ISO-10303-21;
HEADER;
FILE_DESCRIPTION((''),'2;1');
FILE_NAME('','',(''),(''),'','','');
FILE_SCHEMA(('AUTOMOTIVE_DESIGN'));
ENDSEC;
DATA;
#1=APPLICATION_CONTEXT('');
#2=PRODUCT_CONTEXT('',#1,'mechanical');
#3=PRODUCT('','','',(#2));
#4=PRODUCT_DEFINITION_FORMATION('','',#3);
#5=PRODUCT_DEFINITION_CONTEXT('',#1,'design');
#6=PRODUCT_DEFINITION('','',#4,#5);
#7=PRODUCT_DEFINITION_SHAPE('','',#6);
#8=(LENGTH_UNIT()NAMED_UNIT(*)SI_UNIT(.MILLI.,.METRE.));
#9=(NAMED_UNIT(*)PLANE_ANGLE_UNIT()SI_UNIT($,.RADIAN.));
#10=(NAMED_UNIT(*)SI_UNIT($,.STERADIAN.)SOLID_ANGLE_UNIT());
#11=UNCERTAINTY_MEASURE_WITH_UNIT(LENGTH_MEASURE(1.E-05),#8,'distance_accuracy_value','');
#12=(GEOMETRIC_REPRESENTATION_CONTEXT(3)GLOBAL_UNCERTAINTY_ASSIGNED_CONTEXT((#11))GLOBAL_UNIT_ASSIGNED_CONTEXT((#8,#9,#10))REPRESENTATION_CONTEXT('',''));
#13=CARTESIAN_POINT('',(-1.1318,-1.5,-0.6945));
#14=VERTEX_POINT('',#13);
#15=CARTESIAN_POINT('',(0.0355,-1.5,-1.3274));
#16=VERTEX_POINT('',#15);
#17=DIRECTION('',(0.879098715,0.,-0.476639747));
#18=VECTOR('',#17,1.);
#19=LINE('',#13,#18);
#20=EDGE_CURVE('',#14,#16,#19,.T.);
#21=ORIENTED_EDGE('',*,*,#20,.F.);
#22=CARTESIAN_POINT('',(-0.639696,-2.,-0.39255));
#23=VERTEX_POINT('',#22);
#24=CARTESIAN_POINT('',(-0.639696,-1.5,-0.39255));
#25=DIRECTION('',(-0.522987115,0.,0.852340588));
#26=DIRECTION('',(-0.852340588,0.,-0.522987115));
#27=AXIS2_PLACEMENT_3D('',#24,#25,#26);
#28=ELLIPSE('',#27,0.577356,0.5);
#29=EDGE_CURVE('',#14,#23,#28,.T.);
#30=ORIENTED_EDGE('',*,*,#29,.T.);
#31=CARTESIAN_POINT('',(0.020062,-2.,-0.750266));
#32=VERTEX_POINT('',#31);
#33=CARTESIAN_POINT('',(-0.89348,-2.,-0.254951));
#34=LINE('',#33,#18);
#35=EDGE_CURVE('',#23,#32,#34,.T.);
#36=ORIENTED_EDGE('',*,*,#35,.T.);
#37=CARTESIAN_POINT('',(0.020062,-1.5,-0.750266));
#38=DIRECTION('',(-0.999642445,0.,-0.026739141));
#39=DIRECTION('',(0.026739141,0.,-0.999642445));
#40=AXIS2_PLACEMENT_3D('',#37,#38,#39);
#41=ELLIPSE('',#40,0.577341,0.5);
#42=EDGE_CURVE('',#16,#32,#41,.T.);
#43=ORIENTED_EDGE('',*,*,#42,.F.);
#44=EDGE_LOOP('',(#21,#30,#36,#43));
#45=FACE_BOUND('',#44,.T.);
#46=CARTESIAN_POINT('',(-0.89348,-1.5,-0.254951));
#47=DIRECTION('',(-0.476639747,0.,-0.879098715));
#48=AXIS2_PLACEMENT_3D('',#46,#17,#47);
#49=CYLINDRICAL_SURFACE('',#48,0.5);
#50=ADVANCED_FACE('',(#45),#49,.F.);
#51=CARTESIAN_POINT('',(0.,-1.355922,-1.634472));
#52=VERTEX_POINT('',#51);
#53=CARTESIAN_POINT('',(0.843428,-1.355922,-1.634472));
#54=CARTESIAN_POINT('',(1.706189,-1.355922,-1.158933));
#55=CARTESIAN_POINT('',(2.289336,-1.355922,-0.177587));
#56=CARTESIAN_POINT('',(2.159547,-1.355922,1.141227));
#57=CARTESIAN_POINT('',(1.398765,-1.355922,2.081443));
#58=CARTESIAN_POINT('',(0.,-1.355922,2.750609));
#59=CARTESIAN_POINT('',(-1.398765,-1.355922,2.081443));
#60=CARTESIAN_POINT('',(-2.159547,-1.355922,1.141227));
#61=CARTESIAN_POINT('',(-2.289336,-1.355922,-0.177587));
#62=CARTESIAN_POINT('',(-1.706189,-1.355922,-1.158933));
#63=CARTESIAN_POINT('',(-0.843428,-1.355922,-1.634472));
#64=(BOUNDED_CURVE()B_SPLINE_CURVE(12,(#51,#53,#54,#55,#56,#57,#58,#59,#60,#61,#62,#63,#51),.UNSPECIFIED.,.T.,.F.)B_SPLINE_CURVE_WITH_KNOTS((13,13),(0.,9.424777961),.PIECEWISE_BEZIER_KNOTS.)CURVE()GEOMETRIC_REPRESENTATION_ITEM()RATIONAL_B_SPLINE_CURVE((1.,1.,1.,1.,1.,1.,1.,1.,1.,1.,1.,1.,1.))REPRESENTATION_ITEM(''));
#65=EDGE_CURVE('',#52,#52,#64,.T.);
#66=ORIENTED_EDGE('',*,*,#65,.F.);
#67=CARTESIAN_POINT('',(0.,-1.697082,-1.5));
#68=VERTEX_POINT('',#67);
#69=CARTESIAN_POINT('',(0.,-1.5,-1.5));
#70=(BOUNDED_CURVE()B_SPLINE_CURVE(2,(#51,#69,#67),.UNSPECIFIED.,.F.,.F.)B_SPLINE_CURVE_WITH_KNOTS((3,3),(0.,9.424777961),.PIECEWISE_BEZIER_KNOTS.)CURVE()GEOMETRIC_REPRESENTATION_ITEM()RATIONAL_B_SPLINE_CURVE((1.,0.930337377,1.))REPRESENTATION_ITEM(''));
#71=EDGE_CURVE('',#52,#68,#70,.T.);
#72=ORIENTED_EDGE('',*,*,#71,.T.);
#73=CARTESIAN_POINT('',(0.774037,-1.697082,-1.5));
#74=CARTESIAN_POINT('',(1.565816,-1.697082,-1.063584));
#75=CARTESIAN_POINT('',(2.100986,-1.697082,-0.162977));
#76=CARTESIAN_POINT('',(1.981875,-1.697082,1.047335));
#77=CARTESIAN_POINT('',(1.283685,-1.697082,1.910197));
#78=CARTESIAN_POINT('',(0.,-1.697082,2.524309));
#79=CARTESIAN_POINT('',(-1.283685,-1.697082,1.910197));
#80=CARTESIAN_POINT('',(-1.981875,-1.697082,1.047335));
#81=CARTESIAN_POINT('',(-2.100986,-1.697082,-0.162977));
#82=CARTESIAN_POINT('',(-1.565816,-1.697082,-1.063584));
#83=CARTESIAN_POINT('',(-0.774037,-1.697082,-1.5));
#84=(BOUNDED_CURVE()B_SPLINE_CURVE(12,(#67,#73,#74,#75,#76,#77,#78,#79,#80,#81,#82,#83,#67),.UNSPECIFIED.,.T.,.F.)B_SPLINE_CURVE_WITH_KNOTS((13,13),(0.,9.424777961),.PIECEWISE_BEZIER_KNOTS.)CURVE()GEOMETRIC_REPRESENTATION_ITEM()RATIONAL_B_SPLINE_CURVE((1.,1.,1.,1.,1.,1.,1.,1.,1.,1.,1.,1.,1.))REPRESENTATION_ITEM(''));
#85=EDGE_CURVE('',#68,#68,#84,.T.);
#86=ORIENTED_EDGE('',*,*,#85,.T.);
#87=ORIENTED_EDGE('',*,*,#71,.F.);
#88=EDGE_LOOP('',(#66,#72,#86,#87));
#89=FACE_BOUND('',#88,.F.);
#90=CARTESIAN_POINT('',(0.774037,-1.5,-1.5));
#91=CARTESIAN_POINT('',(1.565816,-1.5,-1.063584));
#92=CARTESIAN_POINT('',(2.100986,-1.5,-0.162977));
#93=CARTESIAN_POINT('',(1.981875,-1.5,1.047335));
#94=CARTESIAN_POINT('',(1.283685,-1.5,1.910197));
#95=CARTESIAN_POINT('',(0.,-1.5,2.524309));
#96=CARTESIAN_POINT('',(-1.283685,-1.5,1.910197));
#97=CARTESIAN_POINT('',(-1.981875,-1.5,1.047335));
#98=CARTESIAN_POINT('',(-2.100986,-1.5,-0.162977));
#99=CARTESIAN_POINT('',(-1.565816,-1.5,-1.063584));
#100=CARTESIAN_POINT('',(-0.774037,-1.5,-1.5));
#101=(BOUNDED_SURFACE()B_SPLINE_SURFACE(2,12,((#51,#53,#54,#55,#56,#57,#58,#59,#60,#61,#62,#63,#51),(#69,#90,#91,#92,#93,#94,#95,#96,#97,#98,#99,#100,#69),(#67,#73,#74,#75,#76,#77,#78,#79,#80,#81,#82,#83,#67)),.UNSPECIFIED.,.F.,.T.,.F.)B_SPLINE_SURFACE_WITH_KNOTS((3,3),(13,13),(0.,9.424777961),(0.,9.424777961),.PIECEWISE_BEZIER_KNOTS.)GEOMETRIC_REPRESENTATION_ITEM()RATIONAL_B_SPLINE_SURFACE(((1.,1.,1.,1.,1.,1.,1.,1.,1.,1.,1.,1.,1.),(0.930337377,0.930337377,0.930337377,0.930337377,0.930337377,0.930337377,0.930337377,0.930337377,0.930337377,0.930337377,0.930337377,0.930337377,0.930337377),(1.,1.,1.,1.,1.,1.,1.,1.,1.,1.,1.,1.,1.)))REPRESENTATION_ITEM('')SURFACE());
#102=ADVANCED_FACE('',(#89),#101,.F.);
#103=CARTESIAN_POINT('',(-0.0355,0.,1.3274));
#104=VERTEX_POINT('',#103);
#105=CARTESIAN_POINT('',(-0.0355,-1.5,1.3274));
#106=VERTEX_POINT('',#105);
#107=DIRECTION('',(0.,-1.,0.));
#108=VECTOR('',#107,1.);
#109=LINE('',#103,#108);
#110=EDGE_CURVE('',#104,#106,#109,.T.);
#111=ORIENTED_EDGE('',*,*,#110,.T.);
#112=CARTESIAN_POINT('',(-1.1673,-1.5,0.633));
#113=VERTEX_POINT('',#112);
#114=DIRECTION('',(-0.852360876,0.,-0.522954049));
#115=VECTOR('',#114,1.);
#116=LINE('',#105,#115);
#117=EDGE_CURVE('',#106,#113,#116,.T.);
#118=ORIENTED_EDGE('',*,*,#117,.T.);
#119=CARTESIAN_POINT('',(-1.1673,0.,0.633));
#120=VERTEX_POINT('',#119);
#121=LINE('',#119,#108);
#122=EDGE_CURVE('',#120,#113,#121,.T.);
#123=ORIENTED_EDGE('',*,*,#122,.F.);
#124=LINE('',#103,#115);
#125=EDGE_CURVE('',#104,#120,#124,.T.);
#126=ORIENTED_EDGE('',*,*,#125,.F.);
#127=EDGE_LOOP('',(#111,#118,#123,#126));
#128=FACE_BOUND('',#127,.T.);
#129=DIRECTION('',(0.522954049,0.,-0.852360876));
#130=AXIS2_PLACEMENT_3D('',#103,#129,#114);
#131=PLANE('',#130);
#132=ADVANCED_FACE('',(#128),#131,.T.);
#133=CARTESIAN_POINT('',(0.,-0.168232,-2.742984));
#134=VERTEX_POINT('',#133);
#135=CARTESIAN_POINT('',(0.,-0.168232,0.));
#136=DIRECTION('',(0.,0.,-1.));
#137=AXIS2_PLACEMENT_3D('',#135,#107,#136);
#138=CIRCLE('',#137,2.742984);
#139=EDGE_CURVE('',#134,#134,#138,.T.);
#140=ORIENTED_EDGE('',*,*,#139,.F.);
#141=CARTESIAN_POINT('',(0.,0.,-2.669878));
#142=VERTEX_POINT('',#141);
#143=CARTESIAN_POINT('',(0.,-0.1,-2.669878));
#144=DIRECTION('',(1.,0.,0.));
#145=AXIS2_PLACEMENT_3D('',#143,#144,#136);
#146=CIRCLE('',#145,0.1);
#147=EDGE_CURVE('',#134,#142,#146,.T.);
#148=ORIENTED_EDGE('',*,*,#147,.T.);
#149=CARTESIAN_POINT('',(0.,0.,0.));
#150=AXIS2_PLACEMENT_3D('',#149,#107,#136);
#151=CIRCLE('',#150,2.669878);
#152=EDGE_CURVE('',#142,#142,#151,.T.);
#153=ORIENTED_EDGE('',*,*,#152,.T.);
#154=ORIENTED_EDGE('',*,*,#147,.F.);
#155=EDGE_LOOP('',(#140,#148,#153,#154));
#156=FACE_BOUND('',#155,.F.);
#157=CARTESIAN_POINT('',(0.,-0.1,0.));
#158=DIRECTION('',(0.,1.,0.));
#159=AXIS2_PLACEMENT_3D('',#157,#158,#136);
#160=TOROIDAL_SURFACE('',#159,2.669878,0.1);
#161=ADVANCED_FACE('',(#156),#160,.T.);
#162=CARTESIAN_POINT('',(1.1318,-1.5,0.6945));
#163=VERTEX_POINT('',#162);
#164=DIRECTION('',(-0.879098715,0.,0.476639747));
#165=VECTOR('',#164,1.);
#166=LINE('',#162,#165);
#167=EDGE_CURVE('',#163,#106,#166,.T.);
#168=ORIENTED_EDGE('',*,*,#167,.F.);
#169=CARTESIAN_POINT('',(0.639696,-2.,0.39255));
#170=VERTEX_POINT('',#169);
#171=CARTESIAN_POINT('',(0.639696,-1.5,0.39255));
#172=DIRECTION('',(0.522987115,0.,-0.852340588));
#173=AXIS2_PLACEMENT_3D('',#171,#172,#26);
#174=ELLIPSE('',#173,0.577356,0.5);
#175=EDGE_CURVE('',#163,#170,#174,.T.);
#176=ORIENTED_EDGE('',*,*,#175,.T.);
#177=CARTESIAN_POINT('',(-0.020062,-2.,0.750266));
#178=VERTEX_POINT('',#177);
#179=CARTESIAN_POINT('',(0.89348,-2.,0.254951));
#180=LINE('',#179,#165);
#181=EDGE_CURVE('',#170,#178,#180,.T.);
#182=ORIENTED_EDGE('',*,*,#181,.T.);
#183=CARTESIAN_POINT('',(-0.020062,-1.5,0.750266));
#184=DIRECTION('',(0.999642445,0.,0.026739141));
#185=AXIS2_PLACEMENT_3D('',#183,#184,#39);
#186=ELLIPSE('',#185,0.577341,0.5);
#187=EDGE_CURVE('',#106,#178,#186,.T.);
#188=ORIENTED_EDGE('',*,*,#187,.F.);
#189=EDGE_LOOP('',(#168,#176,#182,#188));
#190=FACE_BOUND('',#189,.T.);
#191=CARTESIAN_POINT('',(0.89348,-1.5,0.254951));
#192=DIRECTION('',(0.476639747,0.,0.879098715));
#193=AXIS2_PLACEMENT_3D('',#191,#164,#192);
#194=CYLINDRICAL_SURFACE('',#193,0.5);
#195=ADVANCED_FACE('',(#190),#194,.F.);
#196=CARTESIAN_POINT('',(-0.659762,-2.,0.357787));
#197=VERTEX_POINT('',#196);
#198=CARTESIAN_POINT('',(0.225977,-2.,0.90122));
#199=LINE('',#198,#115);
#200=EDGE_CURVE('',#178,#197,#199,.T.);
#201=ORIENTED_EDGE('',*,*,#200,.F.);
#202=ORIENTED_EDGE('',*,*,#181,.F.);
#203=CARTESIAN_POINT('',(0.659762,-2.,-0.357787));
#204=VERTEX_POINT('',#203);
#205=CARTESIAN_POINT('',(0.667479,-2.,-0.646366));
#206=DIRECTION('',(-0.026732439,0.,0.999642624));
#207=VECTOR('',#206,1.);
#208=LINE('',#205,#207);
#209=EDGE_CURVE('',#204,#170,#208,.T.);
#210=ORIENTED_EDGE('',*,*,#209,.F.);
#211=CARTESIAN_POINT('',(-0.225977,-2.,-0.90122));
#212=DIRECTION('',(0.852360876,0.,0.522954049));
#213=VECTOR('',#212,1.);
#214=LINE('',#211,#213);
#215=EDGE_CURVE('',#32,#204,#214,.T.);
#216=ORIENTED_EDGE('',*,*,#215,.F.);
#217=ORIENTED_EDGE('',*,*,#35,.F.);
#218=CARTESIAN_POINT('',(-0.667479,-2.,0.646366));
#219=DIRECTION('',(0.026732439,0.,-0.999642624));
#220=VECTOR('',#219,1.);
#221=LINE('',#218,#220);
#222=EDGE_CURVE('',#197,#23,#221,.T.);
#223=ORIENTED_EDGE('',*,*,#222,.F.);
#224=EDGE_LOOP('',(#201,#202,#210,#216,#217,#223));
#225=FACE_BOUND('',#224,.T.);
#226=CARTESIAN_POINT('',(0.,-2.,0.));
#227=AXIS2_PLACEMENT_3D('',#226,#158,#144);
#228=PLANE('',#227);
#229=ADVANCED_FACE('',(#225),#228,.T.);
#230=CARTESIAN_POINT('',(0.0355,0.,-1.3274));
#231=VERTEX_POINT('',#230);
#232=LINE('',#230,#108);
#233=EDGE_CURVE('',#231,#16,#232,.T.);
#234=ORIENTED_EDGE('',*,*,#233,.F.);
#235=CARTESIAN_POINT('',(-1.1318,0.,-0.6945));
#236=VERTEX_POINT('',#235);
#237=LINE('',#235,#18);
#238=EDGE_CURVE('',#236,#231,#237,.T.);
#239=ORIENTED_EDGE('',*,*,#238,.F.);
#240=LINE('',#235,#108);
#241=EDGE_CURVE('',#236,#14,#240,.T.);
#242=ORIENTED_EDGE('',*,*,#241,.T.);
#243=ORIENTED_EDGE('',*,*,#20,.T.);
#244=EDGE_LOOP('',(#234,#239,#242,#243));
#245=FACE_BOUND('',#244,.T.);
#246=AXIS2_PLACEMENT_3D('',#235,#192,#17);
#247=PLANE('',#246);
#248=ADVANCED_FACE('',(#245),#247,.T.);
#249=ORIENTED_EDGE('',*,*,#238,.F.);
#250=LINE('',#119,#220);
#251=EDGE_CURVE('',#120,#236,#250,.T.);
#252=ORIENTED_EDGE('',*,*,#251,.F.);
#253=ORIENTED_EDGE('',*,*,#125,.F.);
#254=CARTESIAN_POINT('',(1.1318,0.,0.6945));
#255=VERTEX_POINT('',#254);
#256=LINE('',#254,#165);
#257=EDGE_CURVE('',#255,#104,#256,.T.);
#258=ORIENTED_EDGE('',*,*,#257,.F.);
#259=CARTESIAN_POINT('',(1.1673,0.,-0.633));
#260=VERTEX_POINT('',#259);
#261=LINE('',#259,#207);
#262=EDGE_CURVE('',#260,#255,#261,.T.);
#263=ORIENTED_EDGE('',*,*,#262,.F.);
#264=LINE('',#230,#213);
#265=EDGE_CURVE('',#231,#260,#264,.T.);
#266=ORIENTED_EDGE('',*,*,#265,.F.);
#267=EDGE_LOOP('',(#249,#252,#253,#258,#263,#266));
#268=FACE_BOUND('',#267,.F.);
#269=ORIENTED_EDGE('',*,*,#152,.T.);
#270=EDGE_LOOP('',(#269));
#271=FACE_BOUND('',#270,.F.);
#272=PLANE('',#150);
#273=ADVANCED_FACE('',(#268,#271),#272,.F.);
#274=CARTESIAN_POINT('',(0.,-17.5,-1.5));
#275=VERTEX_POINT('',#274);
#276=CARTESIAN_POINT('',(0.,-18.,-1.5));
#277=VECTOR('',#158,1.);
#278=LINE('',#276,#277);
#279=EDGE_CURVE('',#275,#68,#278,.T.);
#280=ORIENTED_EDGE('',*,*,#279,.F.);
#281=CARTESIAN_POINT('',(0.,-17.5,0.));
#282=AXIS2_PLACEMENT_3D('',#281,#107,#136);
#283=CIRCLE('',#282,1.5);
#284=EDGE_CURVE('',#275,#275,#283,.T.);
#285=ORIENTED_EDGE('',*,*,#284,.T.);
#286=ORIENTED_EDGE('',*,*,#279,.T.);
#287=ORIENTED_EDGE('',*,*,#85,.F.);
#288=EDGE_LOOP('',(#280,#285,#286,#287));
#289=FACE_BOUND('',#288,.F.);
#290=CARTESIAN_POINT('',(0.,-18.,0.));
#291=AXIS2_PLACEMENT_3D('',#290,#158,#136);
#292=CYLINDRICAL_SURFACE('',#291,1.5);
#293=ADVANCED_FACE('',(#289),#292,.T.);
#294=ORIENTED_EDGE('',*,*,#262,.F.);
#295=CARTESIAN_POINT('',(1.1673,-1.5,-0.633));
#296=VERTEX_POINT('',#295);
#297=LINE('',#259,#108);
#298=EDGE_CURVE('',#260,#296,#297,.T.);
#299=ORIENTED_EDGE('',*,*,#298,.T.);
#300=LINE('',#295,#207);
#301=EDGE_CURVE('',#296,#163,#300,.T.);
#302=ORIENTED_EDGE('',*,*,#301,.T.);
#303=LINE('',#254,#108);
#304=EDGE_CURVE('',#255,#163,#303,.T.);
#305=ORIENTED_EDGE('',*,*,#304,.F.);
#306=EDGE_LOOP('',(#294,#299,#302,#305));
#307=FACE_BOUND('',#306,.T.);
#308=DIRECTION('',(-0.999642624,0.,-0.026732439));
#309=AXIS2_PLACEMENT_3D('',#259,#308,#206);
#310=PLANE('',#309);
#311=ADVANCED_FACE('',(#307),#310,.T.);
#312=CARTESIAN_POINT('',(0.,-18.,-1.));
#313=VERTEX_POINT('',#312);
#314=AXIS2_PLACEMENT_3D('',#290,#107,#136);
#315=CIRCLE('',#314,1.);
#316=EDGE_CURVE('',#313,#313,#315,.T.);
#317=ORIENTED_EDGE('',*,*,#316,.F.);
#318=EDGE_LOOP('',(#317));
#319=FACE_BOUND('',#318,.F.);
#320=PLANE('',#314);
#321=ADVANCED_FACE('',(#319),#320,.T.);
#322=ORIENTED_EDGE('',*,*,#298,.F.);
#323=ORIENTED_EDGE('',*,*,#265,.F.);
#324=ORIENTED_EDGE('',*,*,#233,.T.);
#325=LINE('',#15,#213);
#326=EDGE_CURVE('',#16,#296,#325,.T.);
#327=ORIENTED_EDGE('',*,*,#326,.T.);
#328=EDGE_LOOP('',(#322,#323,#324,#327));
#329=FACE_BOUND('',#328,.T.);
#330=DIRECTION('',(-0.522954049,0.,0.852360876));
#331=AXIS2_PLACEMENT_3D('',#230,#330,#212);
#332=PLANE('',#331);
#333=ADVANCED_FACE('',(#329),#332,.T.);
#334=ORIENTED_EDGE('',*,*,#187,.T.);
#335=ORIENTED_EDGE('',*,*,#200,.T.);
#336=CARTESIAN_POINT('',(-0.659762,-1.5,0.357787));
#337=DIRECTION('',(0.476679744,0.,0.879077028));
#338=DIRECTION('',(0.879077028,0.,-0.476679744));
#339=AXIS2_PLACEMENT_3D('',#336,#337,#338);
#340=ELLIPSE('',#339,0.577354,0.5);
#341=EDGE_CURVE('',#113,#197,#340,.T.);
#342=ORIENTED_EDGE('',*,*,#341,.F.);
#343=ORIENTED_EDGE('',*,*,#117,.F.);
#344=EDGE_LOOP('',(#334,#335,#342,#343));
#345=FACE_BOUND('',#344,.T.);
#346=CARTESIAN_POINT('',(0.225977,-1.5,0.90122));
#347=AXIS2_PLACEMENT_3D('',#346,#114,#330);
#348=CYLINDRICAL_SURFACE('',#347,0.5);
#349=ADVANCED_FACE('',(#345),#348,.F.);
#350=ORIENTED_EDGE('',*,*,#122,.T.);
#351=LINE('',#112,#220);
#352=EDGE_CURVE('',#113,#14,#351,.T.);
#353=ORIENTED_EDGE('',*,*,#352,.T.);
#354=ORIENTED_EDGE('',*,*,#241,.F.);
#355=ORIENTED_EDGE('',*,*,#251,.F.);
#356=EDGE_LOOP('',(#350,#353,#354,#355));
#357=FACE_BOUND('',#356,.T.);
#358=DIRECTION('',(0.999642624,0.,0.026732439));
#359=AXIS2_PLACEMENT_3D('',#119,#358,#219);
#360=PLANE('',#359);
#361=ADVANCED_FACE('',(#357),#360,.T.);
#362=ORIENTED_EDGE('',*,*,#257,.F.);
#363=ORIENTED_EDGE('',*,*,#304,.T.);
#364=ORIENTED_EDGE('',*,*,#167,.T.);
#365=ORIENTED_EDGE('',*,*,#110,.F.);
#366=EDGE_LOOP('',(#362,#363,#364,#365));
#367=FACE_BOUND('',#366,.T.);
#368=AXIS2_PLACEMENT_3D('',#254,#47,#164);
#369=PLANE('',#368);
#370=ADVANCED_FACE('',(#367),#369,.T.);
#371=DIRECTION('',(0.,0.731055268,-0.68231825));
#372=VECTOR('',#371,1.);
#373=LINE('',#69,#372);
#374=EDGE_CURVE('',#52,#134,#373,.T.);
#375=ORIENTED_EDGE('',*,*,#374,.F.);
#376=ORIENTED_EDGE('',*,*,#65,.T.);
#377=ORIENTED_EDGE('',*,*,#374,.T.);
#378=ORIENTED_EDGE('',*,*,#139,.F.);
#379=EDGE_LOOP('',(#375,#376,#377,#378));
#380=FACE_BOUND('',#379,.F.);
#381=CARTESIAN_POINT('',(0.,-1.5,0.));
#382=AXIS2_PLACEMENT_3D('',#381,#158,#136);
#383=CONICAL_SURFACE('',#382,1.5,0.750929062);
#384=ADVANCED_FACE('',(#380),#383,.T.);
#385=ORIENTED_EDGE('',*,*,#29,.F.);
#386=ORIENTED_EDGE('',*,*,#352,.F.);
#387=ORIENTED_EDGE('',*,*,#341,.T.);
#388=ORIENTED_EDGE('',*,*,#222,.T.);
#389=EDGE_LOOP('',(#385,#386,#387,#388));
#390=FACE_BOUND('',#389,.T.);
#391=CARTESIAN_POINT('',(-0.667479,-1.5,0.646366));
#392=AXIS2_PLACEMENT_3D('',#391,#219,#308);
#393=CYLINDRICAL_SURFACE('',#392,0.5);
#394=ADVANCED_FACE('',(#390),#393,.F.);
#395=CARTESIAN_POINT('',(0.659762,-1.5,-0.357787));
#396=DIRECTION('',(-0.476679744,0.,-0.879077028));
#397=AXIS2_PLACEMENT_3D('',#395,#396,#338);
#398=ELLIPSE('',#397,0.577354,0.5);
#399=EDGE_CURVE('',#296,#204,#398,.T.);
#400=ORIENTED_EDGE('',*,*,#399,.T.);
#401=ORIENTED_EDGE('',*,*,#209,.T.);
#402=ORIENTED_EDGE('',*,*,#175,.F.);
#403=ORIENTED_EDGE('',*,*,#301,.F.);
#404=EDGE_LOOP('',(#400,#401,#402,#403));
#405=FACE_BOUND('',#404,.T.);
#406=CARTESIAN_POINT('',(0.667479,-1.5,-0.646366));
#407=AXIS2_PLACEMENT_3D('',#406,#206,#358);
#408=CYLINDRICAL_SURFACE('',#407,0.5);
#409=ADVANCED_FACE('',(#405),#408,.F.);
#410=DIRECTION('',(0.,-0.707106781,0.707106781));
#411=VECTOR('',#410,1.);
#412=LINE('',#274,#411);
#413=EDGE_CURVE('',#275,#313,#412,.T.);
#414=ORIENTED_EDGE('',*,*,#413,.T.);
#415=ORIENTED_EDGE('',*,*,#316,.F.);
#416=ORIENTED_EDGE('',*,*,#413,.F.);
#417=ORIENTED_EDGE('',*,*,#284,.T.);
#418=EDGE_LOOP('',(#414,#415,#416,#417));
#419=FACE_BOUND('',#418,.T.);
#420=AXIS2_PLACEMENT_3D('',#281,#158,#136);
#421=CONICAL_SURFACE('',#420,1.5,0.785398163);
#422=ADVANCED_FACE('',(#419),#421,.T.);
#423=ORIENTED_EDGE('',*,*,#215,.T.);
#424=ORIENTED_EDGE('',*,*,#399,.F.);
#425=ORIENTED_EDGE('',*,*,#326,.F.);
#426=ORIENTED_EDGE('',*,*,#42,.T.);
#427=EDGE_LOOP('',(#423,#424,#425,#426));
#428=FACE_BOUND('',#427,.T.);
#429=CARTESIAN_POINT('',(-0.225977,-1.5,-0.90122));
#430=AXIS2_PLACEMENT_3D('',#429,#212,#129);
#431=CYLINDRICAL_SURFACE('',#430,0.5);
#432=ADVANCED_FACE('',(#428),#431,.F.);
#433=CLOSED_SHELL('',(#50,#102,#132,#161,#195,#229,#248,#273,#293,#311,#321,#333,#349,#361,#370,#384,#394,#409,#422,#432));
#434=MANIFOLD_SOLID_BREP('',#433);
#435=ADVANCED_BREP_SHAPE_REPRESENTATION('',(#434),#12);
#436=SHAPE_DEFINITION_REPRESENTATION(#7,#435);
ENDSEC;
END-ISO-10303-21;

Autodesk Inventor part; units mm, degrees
ref_plane "YZ Plane" through (0, 0, 0) normal (1, 0, 0) x (0, 1, 0)
ref_plane "XZ Plane" through (0, 0, 0) normal (0, 1, 0) x (-1, 0, 0)
ref_plane "XY Plane" through (0, 0, 0) normal (0, 0, 1) x (1, 0, 0)
sketch "Szkic2" plane through (0, 0, 0) normal (1, 0, 0) x (0, 1, 0)
  line L0 (0, -2.9) -> (0, 2.9)
  line L1 (-1.5, -1.5) -> (-1.5, 1.5)
  line L2 (-1.5, -1.5) -> (0, -2.9)
  line L3 (-1.5, 1.5) -> (0, 2.9)
  line L4 (0, 0) -> (-18, 0)
  line L5 (-18, 0) -> (-18, -1.5)
  line L6 (-18, -1.5) -> (-1.5, -1.5)
  dimension "d0" = 5.8
  dimension "d2" = 3
  dimension "d3" = 1.5
  dimension "d4" = 18
  dimension "d5" = 1.5
revolve "Obrót1" add sketch "Szkic2" angle 360 about axis through (0, 0, 0) along (0, -1, 0) contours L2 L1 L4 L0 | L6 L5 L4 L1
sketch "Szkic3" plane through (0, 0, 0) normal (0, 1, 0) x (1, 0, 0)
  line L0 (-1.1673, -0.633) -> (-1.1318, 0.6945)
  line L1 (-1.1318, 0.6945) -> (0.0355, 1.3274)
  line L2 (0.0355, 1.3274) -> (1.1673, 0.633)
  line L3 (1.1673, 0.633) -> (1.1318, -0.6945)
  line L4 (1.1318, -0.6945) -> (-0.0355, -1.3274)
  line L5 (-0.0355, -1.3274) -> (-1.1673, -0.633)
  point P0 (0, 0)
  point P1 (0, 0)
  dimension "d7" = 2.3
extrude "Wyciągnięcie proste1" cut sketch "Szkic3" against normal blind 2
fillet "Zaokrąglenie1" radius 0.5 6 edges at (-1.1496, -2, -0.0308) (-0.6014, -2, 0.9802) (-0.5482, -2, -1.011) (0.6014, -2, -0.9802) (0.5482, -2, 1.011) (1.1496, -2, 0.0308)
fillet "Zaokrąglenie2" radius 0.5 1 edges at (0, -1.5, 1.5)
fillet "Zaokrąglenie3" radius 0.1 1 edges at (0, 0, 2.9)
thread "Gwint1" size "M3x0.5" class "6g" standard "ANSI Metric M Profile" full length
chamfer "Faza1" distance 0.5 angle 45 1 edges at (0, -18, 1.5)
properties part number "Screw M3 18mm flat head"
